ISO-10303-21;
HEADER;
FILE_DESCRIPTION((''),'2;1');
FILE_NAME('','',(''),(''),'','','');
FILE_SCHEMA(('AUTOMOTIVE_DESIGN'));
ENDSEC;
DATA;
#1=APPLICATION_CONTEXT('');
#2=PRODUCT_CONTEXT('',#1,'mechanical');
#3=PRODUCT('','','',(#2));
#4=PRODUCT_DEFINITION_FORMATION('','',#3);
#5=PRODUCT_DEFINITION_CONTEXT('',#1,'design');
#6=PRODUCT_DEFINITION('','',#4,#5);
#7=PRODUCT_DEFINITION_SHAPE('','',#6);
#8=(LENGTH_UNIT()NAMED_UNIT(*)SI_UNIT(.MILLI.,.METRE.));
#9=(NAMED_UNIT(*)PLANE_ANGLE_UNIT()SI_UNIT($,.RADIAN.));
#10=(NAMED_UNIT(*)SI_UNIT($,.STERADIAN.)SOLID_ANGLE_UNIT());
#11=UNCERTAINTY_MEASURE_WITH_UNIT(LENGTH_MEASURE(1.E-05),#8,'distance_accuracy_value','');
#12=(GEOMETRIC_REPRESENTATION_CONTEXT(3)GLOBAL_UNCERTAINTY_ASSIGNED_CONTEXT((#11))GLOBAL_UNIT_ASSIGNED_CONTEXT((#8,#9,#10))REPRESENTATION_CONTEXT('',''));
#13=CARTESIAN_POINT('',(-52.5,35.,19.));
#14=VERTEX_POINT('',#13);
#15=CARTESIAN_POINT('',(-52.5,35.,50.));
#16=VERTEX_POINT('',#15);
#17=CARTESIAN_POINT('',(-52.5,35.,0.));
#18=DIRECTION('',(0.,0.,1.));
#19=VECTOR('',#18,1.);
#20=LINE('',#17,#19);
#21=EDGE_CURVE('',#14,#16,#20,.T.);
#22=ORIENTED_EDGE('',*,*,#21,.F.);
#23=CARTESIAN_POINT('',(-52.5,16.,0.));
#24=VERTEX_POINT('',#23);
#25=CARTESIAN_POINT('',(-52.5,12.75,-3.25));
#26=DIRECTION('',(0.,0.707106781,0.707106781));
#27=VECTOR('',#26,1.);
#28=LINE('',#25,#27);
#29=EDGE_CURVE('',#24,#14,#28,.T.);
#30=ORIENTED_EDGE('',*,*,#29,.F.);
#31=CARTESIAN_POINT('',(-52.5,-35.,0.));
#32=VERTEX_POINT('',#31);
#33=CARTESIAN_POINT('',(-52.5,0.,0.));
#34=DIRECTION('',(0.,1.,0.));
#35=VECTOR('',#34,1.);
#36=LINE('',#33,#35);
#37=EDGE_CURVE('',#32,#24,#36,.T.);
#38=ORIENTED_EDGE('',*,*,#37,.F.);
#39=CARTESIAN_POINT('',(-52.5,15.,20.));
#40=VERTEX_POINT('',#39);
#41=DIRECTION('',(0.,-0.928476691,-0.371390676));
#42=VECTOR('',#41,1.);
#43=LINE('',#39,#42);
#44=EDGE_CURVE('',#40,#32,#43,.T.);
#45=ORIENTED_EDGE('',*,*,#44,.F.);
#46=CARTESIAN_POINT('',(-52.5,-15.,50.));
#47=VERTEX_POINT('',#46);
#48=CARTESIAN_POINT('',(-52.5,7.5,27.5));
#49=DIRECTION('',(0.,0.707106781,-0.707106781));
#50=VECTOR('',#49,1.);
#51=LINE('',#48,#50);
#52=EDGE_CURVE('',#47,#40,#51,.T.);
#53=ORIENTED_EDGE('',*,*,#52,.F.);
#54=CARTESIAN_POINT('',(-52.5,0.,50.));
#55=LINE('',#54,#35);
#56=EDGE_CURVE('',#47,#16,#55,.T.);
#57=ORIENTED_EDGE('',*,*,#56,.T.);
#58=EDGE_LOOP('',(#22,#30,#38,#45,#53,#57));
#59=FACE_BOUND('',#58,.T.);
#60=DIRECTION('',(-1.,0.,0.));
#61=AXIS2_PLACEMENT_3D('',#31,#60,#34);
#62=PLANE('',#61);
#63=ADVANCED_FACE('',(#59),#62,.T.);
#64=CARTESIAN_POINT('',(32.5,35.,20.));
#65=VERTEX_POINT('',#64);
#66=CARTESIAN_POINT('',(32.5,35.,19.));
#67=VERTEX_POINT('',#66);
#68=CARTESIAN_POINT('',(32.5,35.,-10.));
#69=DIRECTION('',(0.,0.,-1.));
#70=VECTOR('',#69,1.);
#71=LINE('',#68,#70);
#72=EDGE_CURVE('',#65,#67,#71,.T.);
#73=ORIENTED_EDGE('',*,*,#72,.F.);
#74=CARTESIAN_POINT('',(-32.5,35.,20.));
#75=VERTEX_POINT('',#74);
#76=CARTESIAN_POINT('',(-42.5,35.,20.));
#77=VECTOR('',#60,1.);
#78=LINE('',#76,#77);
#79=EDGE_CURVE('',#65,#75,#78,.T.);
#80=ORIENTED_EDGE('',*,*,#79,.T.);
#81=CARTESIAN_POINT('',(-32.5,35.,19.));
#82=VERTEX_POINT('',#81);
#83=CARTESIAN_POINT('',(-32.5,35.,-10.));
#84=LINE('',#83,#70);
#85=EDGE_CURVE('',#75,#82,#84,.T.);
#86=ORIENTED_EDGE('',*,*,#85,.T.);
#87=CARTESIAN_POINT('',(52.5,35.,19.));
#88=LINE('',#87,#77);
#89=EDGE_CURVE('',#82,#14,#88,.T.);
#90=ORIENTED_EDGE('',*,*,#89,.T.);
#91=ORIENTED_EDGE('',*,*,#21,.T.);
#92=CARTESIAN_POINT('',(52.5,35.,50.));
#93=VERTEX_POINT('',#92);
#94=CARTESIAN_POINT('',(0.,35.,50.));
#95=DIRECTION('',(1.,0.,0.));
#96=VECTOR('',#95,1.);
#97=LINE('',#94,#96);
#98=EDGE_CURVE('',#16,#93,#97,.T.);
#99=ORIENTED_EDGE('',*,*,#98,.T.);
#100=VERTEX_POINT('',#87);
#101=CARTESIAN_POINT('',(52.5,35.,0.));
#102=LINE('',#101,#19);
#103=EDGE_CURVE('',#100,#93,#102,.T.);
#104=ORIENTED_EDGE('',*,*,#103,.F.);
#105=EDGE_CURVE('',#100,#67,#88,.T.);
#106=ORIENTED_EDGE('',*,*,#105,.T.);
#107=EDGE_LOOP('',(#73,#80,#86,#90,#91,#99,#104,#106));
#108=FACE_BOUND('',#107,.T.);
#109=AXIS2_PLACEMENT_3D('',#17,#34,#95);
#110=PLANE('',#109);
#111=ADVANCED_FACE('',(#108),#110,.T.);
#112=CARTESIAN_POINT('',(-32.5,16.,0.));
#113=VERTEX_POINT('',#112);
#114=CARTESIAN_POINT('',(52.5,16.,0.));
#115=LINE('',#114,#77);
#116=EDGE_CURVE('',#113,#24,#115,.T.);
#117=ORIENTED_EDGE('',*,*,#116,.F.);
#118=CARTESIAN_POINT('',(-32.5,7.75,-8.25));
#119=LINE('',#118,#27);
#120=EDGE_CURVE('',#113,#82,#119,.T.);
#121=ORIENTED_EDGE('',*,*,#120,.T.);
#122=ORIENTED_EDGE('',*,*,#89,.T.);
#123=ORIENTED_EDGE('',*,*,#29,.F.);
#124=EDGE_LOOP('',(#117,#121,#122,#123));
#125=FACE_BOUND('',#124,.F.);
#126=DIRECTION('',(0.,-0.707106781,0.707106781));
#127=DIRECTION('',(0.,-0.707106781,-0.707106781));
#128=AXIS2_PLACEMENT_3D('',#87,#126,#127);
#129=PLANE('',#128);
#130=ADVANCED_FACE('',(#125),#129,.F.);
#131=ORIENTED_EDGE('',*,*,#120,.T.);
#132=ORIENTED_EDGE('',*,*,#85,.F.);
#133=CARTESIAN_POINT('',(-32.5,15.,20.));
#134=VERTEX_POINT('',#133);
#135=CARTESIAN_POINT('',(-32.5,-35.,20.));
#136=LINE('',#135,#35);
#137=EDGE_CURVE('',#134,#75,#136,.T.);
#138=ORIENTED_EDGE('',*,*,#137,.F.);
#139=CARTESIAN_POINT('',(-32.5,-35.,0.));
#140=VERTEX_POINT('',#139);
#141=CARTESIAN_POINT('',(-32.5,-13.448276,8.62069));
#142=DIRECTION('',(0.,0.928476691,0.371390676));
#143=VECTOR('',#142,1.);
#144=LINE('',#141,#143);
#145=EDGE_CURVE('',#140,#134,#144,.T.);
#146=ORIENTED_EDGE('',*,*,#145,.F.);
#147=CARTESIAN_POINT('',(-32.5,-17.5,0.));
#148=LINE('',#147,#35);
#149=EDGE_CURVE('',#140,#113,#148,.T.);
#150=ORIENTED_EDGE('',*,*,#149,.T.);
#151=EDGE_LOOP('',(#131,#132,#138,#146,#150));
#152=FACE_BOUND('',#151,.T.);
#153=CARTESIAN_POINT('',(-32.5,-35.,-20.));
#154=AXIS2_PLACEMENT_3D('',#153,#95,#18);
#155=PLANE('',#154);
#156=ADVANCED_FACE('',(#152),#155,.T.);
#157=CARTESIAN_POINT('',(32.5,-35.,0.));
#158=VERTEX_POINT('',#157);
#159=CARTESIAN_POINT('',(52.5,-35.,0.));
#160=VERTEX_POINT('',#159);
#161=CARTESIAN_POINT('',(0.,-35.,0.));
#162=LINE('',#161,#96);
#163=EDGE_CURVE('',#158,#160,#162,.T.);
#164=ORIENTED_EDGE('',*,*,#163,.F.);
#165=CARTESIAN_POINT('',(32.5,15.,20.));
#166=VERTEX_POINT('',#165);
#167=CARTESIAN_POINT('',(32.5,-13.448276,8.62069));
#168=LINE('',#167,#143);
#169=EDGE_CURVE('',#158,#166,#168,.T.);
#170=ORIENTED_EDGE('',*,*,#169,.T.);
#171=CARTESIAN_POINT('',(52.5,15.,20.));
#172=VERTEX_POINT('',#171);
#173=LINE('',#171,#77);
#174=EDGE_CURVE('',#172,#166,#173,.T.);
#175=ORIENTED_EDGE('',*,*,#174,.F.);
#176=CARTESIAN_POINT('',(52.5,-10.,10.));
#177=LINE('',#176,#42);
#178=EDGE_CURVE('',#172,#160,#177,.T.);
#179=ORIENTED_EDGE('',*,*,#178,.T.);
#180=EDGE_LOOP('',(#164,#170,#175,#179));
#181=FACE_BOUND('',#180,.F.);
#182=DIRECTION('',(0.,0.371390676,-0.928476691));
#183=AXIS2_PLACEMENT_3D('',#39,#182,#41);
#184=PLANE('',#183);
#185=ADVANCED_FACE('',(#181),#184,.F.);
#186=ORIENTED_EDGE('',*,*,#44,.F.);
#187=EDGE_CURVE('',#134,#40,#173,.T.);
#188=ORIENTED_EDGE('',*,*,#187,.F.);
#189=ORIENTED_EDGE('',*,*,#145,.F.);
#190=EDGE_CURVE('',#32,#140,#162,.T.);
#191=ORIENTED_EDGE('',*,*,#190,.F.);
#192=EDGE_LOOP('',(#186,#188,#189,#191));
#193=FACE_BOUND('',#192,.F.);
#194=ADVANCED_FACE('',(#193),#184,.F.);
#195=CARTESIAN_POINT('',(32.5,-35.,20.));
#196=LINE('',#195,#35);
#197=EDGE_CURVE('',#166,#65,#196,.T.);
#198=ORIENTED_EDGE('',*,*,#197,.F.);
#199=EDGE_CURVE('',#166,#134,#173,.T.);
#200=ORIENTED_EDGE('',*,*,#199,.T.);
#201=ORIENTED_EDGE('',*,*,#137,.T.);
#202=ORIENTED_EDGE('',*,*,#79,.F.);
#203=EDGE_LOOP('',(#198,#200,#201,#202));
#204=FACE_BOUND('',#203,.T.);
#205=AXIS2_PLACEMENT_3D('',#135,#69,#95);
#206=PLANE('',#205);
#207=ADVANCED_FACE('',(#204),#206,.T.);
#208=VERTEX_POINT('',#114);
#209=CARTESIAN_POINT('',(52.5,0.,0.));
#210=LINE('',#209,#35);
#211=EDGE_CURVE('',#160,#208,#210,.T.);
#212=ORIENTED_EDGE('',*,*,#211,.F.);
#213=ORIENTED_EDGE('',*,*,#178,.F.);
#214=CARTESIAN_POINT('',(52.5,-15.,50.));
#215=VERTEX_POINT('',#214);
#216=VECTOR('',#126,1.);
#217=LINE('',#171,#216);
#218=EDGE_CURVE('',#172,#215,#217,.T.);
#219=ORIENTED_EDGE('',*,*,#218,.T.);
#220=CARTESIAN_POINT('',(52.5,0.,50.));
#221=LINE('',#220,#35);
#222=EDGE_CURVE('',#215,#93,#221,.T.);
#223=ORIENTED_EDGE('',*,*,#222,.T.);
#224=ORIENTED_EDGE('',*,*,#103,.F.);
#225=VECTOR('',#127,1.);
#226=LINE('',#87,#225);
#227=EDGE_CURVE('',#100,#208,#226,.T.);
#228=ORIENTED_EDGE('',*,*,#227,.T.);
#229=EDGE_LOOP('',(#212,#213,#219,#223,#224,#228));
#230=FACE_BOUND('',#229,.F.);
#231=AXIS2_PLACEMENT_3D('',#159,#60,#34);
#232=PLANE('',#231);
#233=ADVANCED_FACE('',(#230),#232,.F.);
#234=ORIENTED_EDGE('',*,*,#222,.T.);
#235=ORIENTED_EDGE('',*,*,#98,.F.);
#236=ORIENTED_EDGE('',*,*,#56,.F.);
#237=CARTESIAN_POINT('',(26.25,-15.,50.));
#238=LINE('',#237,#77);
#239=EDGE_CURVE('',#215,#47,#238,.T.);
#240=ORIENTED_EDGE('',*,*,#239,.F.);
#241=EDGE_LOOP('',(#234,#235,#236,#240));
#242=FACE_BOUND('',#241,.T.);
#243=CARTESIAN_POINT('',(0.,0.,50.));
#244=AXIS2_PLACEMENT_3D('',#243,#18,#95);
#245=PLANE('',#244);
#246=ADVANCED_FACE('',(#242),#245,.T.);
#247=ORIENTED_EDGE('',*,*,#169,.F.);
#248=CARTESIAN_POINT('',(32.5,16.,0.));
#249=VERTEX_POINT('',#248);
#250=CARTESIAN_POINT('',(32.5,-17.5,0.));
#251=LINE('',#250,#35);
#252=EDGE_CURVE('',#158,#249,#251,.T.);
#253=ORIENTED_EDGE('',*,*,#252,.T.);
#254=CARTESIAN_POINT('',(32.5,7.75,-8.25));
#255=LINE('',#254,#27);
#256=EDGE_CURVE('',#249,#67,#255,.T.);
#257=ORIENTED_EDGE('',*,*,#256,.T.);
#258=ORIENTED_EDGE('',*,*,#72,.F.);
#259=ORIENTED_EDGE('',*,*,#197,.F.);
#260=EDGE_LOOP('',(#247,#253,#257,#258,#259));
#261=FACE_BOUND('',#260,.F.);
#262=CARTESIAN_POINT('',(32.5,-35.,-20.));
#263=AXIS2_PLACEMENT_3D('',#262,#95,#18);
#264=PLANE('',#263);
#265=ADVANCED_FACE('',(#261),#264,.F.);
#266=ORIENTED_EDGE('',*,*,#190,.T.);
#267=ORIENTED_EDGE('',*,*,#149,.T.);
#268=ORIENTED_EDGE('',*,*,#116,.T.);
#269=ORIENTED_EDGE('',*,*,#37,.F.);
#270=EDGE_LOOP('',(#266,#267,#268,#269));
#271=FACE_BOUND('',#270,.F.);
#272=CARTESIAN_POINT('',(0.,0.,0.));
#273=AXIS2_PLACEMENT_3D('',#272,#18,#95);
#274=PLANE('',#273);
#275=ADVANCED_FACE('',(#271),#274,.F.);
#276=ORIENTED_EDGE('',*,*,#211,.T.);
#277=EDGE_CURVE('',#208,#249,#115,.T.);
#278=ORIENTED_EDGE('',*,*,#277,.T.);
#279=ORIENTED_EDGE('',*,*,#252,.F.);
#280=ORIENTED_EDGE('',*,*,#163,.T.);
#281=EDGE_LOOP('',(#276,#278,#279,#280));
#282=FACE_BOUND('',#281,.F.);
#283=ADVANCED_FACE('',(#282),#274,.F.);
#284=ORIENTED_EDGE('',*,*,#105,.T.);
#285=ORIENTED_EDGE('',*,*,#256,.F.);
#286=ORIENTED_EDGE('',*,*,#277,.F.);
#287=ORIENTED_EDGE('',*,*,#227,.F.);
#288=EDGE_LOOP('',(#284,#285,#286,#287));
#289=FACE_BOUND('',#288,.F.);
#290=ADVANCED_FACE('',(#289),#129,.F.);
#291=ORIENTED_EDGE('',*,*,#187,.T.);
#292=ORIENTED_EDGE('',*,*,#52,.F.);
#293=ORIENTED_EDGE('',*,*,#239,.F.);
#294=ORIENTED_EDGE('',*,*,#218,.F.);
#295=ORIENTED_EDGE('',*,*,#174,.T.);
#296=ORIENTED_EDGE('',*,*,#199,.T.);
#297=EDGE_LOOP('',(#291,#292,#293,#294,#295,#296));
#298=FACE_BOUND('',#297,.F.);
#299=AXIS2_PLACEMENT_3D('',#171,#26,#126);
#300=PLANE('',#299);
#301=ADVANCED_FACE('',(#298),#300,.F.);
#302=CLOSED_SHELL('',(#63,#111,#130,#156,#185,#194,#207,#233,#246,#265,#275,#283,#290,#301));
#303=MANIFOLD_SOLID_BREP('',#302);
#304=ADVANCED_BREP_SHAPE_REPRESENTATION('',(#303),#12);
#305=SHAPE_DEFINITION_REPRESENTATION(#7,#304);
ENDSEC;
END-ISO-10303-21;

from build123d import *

# Parameters (mm, degrees)
F0_W     = 105
F0_H     = 70
F1_DEPTH = 50
F3_DEPTH = 105.001
F5_DEPTH = 105.001
F6_W     = 65
F6_H     = 40
F7_DEPTH = 70.001
F9_DEPTH = 105.001


with BuildPart() as f1:
    # F0 (on Top) → F1 (new body)
    with BuildSketch(Plane.XY):
        Rectangle(F0_W, F0_H)
    extrude(amount=F1_DEPTH)

    # F2 (on face) → F3 (cut, through all)
    with BuildSketch(Plane.YZ.offset(52.5)):
        Polygon((16, 0), (35, 0), (35, 19), align=None)
    extrude(amount=-F3_DEPTH, mode=Mode.SUBTRACT)

    # F4 (on face) → F5 (cut, through all)
    with BuildSketch(Plane.YZ.offset(52.5)):
        Polygon((-44.933475, 79.933475), (-35, 20), (15, 20), align=None)
    extrude(amount=-F5_DEPTH, mode=Mode.SUBTRACT)

    # F6 (on face) → F7 (cut, through all)
    with BuildSketch(Plane.XZ.offset(35)):
        Rectangle(F6_W, F6_H)
    extrude(amount=-F7_DEPTH, mode=Mode.SUBTRACT)

    # F8 (on face) → F9 (cut, through all)
    with BuildSketch(Plane(origin=(-52.5, 0, 0), x_dir=(0, -1, 0), z_dir=(-1, 0, 0))):
        Polygon((35, 0), (35, 20), (-15, 20), align=None)
    extrude(amount=-F9_DEPTH, mode=Mode.SUBTRACT)


solid = f1.part
